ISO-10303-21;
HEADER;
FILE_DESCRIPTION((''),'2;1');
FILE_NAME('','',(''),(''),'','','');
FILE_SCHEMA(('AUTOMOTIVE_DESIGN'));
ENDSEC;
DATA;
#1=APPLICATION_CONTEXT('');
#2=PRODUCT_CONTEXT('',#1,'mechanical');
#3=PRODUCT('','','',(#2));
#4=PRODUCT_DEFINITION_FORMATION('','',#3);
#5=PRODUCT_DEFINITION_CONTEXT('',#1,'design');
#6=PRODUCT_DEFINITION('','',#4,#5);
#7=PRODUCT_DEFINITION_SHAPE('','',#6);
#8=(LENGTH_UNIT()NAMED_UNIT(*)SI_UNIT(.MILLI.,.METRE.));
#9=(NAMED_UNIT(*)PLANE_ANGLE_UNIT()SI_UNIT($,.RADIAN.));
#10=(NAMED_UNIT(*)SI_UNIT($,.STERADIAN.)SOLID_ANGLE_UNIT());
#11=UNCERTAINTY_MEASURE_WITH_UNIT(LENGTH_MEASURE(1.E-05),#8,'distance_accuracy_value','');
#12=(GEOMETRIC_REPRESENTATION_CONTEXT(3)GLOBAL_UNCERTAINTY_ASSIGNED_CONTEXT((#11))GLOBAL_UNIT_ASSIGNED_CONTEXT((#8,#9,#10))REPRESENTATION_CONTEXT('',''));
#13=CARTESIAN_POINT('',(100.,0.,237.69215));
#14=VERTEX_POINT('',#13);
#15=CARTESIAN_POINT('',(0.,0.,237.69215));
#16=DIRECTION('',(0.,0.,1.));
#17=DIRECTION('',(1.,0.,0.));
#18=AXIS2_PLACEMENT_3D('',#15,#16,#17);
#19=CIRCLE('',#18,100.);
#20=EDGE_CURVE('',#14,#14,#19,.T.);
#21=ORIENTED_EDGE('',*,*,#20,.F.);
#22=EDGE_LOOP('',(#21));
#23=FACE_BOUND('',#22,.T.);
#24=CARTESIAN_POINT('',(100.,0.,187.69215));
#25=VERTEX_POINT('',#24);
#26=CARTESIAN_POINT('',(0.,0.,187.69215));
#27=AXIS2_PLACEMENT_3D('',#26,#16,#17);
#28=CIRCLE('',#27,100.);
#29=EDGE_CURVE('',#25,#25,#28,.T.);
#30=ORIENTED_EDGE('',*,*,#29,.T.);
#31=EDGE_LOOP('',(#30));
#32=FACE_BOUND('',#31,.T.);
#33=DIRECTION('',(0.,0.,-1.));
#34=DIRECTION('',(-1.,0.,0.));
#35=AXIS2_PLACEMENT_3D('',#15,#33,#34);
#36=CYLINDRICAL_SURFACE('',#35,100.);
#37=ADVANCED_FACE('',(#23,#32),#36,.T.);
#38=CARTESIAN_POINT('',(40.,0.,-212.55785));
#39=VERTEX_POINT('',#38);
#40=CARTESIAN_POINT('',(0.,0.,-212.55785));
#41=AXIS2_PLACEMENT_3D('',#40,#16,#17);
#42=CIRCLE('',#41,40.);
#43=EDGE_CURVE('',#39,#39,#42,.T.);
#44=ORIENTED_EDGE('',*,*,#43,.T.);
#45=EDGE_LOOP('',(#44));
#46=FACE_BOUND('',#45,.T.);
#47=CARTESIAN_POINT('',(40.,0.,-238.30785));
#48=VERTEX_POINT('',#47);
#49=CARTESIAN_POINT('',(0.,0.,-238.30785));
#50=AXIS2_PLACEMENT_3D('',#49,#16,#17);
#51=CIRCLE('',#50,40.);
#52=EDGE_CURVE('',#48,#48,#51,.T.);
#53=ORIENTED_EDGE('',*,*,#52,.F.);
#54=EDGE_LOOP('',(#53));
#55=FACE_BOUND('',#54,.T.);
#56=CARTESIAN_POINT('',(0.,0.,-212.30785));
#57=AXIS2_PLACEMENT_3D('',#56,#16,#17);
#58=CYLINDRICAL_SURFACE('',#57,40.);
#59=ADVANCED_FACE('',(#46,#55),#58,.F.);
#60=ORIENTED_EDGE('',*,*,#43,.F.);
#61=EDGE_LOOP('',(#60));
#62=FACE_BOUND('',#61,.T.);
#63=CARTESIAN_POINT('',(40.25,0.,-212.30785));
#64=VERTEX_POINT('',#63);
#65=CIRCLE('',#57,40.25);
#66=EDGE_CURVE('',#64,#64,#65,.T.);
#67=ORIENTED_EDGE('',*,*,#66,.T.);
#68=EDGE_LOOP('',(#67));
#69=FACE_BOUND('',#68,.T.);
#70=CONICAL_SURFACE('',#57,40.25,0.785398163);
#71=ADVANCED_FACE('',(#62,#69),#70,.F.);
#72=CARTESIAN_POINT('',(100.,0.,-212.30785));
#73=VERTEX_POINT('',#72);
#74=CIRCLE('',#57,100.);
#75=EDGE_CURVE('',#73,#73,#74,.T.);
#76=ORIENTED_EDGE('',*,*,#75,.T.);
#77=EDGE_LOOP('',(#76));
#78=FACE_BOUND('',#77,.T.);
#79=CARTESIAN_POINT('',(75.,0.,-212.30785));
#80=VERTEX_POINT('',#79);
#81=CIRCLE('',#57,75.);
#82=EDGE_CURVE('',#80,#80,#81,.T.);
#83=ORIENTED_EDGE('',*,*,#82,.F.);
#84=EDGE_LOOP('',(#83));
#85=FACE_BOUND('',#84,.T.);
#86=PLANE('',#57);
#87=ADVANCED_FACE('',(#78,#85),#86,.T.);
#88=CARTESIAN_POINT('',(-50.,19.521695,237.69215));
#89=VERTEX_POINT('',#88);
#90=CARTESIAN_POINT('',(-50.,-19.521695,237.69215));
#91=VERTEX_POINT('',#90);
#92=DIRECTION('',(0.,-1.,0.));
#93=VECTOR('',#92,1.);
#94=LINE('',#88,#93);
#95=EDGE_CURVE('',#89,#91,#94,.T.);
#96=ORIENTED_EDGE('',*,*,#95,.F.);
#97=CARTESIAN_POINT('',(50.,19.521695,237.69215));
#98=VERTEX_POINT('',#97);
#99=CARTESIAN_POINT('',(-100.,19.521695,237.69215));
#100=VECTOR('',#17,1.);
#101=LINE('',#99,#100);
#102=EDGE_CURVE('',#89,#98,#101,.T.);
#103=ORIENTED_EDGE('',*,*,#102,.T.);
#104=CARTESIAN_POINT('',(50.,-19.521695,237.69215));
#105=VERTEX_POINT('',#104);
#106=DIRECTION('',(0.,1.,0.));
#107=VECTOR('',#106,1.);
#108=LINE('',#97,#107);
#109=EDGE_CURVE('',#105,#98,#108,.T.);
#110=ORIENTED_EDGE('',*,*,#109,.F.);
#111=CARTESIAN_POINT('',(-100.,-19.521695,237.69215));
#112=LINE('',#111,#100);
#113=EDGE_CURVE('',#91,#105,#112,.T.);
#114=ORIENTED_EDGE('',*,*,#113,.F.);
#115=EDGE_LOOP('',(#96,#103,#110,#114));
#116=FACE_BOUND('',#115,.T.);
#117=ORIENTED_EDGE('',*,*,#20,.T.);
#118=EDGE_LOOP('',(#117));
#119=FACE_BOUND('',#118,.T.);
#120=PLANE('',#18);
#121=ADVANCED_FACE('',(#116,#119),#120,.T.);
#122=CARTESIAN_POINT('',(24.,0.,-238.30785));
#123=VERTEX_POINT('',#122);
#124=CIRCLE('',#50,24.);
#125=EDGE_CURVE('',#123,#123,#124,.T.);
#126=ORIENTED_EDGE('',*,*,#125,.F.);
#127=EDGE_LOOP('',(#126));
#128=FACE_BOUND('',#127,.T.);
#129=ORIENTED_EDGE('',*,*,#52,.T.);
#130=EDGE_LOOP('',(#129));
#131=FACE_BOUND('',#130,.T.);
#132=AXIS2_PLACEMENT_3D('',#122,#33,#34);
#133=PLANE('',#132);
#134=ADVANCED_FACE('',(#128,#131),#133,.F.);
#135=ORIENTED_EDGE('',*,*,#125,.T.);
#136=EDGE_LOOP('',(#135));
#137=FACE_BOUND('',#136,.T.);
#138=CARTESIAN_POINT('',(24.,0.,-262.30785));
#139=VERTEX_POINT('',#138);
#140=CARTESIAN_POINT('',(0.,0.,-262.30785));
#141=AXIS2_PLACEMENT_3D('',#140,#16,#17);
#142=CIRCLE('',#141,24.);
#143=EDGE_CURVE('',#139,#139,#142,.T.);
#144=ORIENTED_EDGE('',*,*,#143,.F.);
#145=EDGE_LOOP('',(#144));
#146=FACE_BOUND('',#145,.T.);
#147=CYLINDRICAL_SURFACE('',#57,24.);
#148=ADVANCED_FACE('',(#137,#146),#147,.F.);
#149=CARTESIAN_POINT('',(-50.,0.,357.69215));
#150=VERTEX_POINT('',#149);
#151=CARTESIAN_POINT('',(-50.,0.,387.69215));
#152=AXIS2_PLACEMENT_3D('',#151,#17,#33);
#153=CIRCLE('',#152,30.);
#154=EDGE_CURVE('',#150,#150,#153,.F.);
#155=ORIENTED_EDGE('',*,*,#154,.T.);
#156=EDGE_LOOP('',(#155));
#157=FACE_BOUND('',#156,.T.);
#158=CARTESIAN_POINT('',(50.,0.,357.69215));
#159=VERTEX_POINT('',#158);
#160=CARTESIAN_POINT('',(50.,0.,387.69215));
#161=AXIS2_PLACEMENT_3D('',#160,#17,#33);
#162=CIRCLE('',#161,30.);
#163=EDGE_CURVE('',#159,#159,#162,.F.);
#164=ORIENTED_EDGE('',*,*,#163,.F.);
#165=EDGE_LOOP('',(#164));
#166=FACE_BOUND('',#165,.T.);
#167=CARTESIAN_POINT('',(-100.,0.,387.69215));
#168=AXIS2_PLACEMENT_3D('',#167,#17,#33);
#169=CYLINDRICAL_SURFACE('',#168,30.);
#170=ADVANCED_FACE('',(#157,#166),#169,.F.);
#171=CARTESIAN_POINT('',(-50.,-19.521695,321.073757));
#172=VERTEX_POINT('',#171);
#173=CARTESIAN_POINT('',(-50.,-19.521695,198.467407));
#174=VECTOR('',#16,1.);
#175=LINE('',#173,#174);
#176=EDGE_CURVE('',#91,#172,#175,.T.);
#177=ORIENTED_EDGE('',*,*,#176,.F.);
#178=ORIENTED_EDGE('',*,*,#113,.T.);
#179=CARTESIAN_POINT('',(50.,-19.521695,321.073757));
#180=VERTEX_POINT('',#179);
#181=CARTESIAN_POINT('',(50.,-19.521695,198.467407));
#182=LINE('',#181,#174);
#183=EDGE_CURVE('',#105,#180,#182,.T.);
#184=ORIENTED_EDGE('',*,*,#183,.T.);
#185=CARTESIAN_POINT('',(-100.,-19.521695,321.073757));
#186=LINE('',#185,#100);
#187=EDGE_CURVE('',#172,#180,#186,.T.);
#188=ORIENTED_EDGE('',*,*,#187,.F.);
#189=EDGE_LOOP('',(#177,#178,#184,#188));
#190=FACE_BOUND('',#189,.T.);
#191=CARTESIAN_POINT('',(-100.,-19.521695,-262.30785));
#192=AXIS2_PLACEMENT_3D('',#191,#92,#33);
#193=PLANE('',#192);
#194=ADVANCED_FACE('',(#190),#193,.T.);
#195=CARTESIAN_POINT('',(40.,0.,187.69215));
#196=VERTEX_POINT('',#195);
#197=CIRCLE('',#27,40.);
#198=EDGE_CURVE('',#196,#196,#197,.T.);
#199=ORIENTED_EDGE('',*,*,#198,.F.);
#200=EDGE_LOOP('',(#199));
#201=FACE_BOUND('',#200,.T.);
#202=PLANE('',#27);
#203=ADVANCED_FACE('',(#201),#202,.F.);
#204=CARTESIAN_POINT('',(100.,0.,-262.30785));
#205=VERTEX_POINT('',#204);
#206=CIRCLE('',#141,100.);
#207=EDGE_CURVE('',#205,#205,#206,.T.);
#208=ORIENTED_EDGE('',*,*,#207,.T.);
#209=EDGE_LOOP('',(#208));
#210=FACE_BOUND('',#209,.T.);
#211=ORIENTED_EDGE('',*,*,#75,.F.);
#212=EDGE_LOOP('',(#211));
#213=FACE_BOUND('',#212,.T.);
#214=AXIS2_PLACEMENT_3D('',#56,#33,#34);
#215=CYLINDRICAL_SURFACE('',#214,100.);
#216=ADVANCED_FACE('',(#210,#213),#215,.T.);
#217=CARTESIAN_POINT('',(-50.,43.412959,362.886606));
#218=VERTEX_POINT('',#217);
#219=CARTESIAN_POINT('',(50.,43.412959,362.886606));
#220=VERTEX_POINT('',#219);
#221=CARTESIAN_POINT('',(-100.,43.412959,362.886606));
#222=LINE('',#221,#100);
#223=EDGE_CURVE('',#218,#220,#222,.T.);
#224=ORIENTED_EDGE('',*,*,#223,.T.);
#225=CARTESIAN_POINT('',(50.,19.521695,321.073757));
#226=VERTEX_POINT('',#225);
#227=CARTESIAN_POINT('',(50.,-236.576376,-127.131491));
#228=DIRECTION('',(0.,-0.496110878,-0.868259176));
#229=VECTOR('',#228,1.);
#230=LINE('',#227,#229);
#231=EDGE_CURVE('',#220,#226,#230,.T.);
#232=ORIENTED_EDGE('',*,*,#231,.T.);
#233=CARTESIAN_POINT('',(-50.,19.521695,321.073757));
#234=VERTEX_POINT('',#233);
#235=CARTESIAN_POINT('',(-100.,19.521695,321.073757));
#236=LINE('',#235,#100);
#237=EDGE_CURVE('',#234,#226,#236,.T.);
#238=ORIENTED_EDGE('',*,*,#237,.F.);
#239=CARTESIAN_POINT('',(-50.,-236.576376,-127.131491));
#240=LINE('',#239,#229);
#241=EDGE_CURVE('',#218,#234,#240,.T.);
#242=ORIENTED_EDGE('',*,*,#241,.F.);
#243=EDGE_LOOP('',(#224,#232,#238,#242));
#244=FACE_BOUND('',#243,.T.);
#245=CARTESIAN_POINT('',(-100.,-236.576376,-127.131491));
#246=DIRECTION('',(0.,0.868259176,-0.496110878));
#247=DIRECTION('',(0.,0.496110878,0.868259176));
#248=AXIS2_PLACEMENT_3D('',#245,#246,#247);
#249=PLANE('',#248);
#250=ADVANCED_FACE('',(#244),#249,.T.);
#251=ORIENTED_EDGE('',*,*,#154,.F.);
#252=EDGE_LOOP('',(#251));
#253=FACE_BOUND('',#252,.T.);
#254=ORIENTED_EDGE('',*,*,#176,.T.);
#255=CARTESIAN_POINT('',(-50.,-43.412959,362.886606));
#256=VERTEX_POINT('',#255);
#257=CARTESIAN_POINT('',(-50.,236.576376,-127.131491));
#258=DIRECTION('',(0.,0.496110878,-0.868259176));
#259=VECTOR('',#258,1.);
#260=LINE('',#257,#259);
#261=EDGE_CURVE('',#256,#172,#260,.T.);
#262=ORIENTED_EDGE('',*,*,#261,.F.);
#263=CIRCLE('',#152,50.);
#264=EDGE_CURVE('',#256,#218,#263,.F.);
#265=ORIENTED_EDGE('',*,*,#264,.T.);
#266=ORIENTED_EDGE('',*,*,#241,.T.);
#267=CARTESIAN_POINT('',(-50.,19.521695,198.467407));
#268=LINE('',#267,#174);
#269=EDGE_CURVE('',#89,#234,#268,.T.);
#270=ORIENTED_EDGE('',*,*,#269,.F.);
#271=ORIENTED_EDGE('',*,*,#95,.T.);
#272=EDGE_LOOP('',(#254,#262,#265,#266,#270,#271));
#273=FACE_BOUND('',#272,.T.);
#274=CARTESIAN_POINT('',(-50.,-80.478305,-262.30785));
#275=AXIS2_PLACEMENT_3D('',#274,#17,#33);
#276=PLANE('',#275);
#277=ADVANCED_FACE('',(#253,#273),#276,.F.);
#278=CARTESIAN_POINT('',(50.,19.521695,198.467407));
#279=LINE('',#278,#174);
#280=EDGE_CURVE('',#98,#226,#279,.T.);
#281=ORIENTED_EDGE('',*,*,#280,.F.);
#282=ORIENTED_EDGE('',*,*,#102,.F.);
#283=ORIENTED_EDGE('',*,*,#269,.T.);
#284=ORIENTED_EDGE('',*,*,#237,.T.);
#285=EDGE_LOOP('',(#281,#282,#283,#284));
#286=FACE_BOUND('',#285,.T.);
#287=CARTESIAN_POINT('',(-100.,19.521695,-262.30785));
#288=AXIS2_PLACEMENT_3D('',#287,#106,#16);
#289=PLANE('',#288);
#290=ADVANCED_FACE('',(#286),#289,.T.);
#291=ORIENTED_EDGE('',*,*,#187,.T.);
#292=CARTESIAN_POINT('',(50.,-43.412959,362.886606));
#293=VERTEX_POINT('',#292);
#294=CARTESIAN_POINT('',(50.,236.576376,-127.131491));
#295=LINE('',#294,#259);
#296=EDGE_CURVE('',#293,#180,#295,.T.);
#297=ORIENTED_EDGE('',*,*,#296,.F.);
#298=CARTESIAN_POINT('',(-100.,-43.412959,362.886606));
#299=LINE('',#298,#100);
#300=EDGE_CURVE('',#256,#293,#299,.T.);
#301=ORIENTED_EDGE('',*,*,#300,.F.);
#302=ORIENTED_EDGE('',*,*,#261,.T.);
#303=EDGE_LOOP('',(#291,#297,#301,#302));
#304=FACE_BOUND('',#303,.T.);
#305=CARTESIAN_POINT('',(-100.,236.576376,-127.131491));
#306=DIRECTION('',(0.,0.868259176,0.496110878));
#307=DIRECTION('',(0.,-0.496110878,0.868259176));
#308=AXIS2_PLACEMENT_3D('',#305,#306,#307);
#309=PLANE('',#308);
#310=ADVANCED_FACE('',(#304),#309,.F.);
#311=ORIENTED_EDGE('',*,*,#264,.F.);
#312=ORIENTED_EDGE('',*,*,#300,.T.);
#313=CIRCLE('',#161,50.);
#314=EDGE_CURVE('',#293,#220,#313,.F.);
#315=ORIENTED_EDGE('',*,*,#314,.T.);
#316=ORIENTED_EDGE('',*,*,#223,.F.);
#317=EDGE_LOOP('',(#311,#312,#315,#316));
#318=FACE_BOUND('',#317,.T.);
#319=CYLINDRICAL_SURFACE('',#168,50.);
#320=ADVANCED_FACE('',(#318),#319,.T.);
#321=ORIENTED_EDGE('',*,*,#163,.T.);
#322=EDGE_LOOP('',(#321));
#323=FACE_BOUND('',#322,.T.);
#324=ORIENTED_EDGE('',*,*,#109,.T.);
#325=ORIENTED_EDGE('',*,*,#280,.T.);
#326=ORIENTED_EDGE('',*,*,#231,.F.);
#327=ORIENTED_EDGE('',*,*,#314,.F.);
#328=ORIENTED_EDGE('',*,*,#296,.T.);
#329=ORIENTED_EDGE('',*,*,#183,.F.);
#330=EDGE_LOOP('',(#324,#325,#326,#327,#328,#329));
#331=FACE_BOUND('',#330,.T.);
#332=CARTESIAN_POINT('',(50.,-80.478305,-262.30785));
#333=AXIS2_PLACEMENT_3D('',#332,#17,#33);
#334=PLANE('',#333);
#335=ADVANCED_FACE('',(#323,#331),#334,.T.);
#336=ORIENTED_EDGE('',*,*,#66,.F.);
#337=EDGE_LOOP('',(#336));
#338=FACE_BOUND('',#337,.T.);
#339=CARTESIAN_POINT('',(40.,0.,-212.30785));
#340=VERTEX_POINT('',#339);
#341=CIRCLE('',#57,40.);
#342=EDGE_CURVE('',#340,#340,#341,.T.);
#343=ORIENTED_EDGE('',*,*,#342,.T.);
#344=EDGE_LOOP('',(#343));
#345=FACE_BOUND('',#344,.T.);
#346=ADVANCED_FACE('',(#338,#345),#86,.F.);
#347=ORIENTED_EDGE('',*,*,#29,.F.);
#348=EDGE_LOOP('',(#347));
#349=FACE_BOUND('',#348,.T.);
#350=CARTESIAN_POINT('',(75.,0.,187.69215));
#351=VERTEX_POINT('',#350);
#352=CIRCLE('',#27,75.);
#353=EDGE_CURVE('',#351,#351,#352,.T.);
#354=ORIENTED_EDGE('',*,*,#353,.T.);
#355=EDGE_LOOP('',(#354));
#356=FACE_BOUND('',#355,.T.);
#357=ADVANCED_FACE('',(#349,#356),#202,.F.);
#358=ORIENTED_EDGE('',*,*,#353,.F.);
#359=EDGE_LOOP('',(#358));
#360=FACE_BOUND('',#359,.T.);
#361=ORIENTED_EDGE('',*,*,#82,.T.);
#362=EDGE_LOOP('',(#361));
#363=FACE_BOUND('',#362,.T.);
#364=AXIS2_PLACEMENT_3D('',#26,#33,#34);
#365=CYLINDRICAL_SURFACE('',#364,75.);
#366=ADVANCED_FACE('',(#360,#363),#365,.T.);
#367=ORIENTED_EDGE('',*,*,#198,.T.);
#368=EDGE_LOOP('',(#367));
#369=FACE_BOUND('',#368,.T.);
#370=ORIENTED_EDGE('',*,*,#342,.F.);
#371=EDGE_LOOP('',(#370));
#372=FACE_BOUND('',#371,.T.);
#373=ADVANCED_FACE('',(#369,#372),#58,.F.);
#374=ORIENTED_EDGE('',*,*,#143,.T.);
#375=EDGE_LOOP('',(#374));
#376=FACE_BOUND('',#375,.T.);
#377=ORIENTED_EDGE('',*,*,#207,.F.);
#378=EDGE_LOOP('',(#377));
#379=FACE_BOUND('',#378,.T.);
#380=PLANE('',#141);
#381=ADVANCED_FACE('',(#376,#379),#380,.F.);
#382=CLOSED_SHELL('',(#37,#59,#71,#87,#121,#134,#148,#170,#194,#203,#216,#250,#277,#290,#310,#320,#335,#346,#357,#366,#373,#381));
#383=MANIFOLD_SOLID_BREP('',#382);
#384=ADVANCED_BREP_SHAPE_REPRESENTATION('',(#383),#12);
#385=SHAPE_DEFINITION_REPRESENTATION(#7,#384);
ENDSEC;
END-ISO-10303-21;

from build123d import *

# Parameters (mm, degrees)
SKETCH3_R           = 10
BOSS_EXTRUDE3_DEPTH = 5
SKETCH16_R          = 7.5
BOSS_EXTRUDE7_DEPTH = 40
SKETCH19_R          = 4
CUT_EXTRUDE3_DEPTH  = 40
SKETCH20_R          = 10
BOSS_EXTRUDE8_DEPTH = 5
SKETCH21_W          = 10.753504306
SKETCH21_H          = 13.699669868
BOSS_EXTRUDE9_DEPTH = 20
CUT_EXTRUDE5_DEPTH  = 16.376752153
SKETCH25_R          = 3
CUT_EXTRUDE6_DEPTH  = 16.376752153
CUT_EXTRUDE7_DEPTH  = 10
SKETCH28_W          = 0.376752153
SKETCH28_H          = 3.904338954
CUT_EXTRUDE8_DEPTH  = 8.338161
SCALE1_SCALE        = 10


with BuildPart() as part:
    # Sketch3 → Boss-Extrude3 (new body)
    with BuildSketch(Plane.XY):
        Circle(SKETCH3_R)
    extrude(amount=BOSS_EXTRUDE3_DEPTH)

    # Sketch14 → CBORE for M4 Cheese Head Screw1 (revolve, cut)
    with BuildSketch(Plane(origin=(0, 0, 5), x_dir=(0, -1, 0), z_dir=(1, 0, 0))):
        Polygon((0, 0), (0, 8.942065486), (2.4, 7.5), (2.4, 2.6), (4, 2.6), (4, 0.025), (4.025, 0), align=None)
    revolve(axis=Axis((0, 0, 11.35), (0, 0, -1)), mode=Mode.SUBTRACT)

    # Sketch16 → Boss-Extrude7 (add)
    with BuildSketch(Plane.XY.offset(5)):
        Circle(SKETCH16_R)
    extrude(amount=BOSS_EXTRUDE7_DEPTH)

    # Sketch19 → Cut-Extrude3 (cut)
    with BuildSketch(Plane.XY.offset(45)):
        Circle(SKETCH19_R)
    extrude(amount=-CUT_EXTRUDE3_DEPTH, mode=Mode.SUBTRACT)

    # Sketch20 → Boss-Extrude8 (add)
    with BuildSketch(Plane.XY.offset(45)):
        Circle(SKETCH20_R)
    extrude(amount=BOSS_EXTRUDE8_DEPTH)

    # Sketch21 → Boss-Extrude9 (add)
    with BuildSketch(Plane.XY.offset(50)):
        Rectangle(SKETCH21_W, SKETCH21_H)
    extrude(amount=BOSS_EXTRUDE9_DEPTH)

    # Sketch24 → Cut-Extrude5 (cut, through all)
    with BuildSketch(Plane(origin=(5.376752153, 0, 0), x_dir=(0, 0, -1), z_dir=(1, 0, 0))):
        with BuildLine():
            Line((-58.338160712, 1.952169477), (-50, 1.952169477))
            Line((-50, 1.952169477), (-50, 6.849834934))
            Line((-50, 6.849834934), (-70, 6.849834934))
            Line((-70, 6.849834934), (-70, 0))
            ThreePointArc((-70, 0), (-67.509703972, 4.324509912), (-62.51944561, 4.34129588))
            Line((-62.51944561, 4.34129588), (-58.338160712, 1.952169477))
        make_face()
        with BuildLine():
            Line((-50, -6.849834934), (-50, -1.952169477))
            Line((-50, -1.952169477), (-58.338160712, -1.952169477))
            Line((-58.338160712, -1.952169477), (-62.51944561, -4.34129588))
            ThreePointArc((-62.51944561, -4.34129588), (-67.509703972, -4.324509912), (-70, 0))
            Line((-70, 0), (-70, -6.849834934))
            Line((-70, -6.849834934), (-50, -6.849834934))
        make_face()
    extrude(amount=-CUT_EXTRUDE5_DEPTH, mode=Mode.SUBTRACT)

    # Sketch25 → Cut-Extrude6 (cut, through all)
    with BuildSketch(Plane(origin=(5.376752153, 0, 0), x_dir=(0, 0, -1), z_dir=(1, 0, 0))):
        with Locations((-65, 0)):
            Circle(SKETCH25_R)
    extrude(amount=-CUT_EXTRUDE6_DEPTH, mode=Mode.SUBTRACT)

    # Sketch27 → Cut-Extrude7 (cut, symmetric)
    with BuildSketch(Plane(origin=(0, 1.952169477, 0), x_dir=(1, 0, 0), z_dir=(0, 1, 0))):
        Polygon((5, -58.338160712), (5, -71.045531856), (7.637324511, -71.045531856), (7.637324511, -50), (5.376752153, -50), (5.376752153, -58.338160712), align=None)
        Polygon((-8.147357924, -71.045531856), (-5, -71.045531856), (-5, -58.338160712), (-5.376752153, -58.338160712), (-5.376752153, -50), (-8.147357924, -50), align=None)
    extrude(amount=CUT_EXTRUDE7_DEPTH, both=True, mode=Mode.SUBTRACT)

    # Sketch28 → Cut-Extrude8 (cut)
    with BuildSketch(Plane.XY.offset(58.338160712)):
        with Locations((-5.188376076, 0)):
            Rectangle(SKETCH28_W, SKETCH28_H)
        with Locations((5.188376076, 0)):
            Rectangle(SKETCH28_W, SKETCH28_H)
    extrude(amount=-CUT_EXTRUDE8_DEPTH, mode=Mode.SUBTRACT)


with BuildPart() as part_1:
    # Scale1: scaled about (0, 0, 29.145316633)
    add(part.part.scale(SCALE1_SCALE).moved(Location((0, 0, -262.307849697))))


solid = part_1.part
